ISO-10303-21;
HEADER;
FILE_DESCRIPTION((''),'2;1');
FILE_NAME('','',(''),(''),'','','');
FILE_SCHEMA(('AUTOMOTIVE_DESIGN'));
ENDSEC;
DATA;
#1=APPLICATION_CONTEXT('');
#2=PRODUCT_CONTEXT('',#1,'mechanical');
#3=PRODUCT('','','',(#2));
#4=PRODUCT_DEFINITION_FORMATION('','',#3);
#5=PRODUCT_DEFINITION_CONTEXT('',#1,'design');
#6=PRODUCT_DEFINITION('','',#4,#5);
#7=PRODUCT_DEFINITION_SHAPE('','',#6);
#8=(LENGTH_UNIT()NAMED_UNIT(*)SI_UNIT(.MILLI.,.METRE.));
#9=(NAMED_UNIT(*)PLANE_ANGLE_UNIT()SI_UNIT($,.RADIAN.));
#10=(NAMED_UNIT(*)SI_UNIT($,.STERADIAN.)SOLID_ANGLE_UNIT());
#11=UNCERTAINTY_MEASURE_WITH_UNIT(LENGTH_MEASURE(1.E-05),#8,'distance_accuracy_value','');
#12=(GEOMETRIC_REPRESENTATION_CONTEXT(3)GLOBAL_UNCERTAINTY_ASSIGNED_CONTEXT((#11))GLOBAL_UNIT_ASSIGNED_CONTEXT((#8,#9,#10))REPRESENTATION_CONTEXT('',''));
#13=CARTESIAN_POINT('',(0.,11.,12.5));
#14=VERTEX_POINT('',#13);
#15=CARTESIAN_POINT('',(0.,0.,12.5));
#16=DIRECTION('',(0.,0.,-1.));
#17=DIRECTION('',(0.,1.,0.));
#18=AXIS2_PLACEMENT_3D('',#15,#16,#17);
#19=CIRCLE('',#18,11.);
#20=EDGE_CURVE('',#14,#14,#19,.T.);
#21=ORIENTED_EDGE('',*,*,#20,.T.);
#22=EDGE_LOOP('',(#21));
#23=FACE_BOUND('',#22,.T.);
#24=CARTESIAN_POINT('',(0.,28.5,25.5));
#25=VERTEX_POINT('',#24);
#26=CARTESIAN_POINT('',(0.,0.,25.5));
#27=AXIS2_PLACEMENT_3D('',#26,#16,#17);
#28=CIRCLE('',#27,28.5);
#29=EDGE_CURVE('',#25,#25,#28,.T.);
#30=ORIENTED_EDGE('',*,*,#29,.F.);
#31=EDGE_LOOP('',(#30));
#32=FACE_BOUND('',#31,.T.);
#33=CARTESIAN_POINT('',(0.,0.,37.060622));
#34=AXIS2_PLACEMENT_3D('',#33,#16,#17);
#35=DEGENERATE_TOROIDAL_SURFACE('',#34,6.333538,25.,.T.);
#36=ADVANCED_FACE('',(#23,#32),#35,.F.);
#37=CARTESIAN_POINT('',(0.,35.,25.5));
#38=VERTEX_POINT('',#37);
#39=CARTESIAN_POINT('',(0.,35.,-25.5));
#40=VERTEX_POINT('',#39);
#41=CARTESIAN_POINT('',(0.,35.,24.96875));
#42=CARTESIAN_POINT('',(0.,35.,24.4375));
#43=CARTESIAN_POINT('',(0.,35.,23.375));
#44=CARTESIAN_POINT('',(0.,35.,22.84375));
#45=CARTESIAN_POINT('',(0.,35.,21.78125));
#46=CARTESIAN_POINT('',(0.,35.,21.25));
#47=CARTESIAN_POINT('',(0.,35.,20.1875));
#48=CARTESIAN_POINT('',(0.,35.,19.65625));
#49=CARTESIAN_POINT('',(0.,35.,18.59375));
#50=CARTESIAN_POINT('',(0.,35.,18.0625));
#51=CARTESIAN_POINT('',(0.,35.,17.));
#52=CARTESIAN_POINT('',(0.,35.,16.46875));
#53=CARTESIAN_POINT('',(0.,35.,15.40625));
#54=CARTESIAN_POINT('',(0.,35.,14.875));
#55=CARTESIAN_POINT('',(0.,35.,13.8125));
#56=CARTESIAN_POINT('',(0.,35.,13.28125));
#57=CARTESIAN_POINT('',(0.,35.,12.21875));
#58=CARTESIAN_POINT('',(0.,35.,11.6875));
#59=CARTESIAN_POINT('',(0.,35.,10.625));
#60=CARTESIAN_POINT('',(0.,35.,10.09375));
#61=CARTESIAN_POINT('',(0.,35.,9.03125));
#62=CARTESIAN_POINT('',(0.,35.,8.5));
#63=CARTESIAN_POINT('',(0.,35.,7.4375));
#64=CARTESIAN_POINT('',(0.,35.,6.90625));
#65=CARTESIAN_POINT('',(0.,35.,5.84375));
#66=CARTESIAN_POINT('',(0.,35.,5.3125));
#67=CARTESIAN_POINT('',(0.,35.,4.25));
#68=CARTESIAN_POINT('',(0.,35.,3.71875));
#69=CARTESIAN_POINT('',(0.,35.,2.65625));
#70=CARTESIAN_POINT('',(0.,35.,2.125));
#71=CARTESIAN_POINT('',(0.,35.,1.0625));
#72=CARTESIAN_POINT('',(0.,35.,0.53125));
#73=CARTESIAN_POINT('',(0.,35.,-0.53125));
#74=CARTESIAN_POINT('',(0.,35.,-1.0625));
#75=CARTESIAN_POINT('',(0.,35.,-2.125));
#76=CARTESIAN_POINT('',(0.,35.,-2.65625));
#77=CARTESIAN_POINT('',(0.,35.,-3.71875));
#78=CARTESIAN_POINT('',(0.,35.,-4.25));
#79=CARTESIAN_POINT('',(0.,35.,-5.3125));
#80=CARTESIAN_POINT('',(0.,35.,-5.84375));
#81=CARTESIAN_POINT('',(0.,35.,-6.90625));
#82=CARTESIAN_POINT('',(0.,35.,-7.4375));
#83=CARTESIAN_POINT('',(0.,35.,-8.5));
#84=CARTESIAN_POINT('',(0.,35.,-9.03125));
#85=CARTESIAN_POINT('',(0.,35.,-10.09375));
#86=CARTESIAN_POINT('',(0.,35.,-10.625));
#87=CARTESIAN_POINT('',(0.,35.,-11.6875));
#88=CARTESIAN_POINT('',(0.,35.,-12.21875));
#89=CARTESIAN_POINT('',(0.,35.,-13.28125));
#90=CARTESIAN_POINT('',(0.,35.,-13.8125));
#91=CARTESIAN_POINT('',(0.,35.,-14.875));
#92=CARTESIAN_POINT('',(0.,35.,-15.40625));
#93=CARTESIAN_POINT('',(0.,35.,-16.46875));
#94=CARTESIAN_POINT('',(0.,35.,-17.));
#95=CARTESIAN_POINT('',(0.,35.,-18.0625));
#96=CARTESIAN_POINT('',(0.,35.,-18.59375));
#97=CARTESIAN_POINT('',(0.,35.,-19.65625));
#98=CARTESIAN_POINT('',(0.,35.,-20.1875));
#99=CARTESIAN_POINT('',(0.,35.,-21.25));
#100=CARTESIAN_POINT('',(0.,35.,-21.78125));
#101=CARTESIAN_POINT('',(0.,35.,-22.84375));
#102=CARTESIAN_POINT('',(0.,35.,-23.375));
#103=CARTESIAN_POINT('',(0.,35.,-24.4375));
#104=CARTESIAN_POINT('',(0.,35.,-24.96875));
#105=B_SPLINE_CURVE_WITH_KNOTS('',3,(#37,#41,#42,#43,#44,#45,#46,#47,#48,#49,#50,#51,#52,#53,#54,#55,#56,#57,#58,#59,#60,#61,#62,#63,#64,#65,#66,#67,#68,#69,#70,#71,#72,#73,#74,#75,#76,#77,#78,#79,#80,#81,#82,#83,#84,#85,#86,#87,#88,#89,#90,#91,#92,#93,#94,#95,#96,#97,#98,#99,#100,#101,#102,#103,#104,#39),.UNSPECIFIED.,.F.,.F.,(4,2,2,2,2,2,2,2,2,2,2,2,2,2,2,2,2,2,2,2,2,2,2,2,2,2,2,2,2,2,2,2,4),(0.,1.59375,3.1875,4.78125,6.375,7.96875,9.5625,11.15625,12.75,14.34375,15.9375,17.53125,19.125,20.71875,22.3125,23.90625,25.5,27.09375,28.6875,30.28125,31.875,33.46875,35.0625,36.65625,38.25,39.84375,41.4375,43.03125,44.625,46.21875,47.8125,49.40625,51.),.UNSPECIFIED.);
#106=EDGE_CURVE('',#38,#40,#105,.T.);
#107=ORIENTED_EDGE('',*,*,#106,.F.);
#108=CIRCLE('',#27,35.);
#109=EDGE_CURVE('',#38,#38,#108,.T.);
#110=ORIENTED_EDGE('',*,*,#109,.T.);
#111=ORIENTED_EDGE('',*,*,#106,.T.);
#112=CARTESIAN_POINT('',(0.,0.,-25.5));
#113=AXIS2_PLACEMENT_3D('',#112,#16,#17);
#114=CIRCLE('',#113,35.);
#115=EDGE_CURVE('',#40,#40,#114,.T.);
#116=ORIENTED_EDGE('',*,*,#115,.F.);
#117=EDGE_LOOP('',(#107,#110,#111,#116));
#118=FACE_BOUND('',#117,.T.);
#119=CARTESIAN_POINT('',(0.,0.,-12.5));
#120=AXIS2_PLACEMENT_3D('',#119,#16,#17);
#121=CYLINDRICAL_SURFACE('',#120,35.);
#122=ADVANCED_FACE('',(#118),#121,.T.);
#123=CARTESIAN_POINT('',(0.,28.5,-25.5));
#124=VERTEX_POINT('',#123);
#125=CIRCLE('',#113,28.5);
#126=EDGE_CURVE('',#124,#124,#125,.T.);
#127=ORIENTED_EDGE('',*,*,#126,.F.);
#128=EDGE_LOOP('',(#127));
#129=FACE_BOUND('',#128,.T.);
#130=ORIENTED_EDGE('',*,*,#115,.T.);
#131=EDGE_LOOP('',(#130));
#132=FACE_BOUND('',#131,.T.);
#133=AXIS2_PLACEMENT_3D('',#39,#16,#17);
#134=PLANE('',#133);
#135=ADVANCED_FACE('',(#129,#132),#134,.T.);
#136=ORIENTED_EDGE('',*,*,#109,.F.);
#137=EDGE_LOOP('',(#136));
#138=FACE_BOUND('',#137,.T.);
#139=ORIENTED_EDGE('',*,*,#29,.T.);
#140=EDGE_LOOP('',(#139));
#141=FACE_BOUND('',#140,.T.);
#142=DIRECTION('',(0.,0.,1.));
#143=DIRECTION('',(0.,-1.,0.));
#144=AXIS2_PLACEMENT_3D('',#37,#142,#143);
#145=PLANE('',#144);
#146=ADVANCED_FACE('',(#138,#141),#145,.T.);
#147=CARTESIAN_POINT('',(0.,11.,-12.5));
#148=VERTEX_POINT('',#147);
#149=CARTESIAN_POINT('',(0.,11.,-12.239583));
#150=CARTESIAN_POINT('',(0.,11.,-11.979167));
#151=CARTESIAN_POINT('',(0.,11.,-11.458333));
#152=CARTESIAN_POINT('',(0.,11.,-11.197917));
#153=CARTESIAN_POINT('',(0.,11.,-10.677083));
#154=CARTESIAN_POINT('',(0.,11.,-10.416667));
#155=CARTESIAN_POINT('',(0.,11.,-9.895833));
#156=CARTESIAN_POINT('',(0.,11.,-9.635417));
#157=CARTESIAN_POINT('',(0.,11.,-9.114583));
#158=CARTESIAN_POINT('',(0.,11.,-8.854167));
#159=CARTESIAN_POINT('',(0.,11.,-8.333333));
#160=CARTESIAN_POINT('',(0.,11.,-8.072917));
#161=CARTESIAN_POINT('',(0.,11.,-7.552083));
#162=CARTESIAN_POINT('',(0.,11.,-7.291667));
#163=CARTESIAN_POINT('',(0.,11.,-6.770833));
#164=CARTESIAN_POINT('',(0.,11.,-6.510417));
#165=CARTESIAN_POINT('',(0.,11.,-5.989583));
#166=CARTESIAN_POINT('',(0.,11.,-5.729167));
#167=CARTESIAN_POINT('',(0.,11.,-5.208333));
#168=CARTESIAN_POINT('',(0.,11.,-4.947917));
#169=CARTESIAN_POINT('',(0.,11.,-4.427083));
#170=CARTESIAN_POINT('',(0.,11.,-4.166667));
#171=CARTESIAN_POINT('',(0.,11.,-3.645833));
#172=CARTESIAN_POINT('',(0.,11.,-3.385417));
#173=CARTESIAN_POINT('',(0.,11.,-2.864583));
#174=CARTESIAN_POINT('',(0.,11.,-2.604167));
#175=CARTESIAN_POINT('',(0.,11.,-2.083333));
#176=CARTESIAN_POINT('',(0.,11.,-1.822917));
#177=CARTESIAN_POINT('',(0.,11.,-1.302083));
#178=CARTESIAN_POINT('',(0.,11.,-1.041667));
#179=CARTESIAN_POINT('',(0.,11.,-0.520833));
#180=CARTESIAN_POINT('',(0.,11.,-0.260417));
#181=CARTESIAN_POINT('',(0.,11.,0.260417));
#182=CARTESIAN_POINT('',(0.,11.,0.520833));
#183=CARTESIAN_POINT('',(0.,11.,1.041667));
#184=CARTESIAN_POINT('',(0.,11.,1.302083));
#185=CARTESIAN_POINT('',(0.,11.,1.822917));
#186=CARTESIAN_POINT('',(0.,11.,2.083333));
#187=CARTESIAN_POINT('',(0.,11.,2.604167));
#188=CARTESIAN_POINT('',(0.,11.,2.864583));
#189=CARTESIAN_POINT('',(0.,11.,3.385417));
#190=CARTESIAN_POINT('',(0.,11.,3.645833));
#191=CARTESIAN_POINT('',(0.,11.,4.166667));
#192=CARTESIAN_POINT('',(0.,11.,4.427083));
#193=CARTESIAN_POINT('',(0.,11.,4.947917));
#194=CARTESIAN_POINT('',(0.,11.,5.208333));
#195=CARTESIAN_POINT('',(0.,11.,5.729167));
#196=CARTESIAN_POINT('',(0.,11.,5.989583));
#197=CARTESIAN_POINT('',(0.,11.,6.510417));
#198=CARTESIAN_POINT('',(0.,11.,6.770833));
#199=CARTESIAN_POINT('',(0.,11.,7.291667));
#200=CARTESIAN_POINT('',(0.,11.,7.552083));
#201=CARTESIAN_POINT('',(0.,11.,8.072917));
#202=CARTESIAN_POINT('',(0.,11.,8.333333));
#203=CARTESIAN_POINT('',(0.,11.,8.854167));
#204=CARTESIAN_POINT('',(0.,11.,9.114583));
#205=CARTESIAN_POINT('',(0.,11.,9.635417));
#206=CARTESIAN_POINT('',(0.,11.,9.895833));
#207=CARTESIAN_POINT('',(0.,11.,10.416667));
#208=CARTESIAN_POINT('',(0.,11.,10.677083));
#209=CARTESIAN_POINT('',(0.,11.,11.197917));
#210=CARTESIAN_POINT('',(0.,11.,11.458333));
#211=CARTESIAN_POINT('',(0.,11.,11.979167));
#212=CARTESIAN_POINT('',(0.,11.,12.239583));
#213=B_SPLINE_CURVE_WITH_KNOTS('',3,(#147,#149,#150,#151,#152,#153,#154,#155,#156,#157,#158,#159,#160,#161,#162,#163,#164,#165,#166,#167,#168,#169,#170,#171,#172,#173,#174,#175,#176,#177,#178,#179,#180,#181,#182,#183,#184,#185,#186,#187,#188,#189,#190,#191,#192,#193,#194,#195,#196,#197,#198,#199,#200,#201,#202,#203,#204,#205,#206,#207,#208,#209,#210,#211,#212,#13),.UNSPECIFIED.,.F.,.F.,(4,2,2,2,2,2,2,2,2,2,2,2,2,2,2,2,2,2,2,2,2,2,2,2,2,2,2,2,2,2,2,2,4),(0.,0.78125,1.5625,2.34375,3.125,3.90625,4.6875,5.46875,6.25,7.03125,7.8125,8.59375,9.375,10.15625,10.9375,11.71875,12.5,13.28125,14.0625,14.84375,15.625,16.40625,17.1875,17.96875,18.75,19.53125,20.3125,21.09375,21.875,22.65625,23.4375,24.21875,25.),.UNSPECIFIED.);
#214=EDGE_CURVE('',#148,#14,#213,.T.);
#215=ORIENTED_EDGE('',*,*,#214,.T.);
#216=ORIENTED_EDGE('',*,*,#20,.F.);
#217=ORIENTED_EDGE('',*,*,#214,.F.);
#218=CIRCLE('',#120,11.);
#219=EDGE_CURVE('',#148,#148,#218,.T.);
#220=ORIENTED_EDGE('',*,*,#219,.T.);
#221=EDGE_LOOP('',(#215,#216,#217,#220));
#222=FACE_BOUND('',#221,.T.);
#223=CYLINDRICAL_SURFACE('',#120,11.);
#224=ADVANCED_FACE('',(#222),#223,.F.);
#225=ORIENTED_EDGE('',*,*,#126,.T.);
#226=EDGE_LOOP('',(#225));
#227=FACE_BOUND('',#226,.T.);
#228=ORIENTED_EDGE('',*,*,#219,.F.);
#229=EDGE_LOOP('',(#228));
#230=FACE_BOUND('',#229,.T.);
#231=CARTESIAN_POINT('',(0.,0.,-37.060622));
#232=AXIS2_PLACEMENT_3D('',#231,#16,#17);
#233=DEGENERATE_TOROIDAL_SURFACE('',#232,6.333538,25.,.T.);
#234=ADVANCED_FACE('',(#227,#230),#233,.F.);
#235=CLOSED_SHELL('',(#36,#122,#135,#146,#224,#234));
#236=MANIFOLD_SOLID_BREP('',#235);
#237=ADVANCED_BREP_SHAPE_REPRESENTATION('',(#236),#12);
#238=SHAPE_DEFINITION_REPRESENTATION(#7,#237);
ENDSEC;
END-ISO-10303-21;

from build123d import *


with BuildPart() as part:
    # Sketch2 → Revolve1 (revolve)
    with BuildSketch(Plane(origin=(0, 0, 0), x_dir=(0, 0, -1), z_dir=(1, 0, 0))):
        with BuildLine():
            Line((-25.5, 35), (25.5, 35))
            Line((25.5, 35), (25.5, 28.5))
            ThreePointArc((25.5, 28.5), (16.992025424, 21.241638257), (12.5, 11))
            Line((12.5, 11), (-12.5, 11))
            ThreePointArc((-12.5, 11), (-16.992025424, 21.241638257), (-25.5, 28.5))
            Line((-25.5, 28.5), (-25.5, 35))
        make_face()
    revolve(axis=Axis((0, 0, -12.5), (0, 0, 1)))


solid = part.part
